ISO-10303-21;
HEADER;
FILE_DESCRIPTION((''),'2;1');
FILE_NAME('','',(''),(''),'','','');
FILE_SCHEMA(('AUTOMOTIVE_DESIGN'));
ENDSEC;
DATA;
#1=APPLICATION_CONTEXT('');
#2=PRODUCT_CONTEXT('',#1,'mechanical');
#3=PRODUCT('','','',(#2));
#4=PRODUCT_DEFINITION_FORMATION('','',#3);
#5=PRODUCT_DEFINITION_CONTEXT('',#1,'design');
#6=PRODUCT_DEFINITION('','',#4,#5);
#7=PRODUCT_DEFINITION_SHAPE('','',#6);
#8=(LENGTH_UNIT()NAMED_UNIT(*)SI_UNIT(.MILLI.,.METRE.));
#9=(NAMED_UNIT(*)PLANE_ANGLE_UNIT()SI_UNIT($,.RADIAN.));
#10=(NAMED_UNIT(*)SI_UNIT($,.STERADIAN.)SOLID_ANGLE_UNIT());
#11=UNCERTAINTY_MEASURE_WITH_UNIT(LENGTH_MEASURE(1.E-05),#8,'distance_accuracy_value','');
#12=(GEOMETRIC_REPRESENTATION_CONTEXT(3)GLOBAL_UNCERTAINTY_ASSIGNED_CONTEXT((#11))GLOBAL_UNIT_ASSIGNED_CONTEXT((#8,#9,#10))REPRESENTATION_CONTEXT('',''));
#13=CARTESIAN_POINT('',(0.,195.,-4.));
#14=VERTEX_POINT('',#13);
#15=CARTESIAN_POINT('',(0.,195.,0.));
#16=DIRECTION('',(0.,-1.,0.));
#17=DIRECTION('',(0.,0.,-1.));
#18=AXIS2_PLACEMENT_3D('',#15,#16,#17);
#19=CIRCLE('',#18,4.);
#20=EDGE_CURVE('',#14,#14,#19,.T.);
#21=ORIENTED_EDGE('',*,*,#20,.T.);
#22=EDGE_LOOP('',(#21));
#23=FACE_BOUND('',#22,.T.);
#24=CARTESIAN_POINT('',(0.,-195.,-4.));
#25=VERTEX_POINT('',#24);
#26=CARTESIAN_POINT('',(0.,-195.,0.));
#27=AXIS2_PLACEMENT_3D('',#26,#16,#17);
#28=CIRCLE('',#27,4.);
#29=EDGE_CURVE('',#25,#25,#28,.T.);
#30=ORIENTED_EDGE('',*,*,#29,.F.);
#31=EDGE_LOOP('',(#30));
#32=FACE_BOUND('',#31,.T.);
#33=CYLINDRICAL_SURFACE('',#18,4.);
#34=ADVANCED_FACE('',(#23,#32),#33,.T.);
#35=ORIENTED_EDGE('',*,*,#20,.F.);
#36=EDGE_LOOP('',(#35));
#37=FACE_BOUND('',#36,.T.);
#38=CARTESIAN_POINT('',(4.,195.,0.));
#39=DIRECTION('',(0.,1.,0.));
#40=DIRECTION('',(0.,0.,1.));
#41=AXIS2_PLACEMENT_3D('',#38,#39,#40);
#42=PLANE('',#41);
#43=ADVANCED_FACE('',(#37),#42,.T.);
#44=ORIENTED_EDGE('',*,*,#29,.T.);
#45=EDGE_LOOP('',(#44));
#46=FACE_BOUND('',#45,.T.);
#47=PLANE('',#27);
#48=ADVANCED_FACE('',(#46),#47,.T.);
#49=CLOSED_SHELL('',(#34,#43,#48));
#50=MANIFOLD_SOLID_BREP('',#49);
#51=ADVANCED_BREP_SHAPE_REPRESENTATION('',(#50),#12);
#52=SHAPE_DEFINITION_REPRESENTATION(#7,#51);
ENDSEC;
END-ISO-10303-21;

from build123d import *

# Parameters (mm, degrees)
SKETCH1_W = 4
SKETCH1_H = 390


with BuildPart() as part:
    # Sketch1 → Revolve1 (revolve)
    with BuildSketch(Plane.XY):
        with Locations((2, 0)):
            Rectangle(SKETCH1_W, SKETCH1_H)
    revolve(axis=Axis((0, 195, 0), (0, -1, 0)))


solid = part.part
